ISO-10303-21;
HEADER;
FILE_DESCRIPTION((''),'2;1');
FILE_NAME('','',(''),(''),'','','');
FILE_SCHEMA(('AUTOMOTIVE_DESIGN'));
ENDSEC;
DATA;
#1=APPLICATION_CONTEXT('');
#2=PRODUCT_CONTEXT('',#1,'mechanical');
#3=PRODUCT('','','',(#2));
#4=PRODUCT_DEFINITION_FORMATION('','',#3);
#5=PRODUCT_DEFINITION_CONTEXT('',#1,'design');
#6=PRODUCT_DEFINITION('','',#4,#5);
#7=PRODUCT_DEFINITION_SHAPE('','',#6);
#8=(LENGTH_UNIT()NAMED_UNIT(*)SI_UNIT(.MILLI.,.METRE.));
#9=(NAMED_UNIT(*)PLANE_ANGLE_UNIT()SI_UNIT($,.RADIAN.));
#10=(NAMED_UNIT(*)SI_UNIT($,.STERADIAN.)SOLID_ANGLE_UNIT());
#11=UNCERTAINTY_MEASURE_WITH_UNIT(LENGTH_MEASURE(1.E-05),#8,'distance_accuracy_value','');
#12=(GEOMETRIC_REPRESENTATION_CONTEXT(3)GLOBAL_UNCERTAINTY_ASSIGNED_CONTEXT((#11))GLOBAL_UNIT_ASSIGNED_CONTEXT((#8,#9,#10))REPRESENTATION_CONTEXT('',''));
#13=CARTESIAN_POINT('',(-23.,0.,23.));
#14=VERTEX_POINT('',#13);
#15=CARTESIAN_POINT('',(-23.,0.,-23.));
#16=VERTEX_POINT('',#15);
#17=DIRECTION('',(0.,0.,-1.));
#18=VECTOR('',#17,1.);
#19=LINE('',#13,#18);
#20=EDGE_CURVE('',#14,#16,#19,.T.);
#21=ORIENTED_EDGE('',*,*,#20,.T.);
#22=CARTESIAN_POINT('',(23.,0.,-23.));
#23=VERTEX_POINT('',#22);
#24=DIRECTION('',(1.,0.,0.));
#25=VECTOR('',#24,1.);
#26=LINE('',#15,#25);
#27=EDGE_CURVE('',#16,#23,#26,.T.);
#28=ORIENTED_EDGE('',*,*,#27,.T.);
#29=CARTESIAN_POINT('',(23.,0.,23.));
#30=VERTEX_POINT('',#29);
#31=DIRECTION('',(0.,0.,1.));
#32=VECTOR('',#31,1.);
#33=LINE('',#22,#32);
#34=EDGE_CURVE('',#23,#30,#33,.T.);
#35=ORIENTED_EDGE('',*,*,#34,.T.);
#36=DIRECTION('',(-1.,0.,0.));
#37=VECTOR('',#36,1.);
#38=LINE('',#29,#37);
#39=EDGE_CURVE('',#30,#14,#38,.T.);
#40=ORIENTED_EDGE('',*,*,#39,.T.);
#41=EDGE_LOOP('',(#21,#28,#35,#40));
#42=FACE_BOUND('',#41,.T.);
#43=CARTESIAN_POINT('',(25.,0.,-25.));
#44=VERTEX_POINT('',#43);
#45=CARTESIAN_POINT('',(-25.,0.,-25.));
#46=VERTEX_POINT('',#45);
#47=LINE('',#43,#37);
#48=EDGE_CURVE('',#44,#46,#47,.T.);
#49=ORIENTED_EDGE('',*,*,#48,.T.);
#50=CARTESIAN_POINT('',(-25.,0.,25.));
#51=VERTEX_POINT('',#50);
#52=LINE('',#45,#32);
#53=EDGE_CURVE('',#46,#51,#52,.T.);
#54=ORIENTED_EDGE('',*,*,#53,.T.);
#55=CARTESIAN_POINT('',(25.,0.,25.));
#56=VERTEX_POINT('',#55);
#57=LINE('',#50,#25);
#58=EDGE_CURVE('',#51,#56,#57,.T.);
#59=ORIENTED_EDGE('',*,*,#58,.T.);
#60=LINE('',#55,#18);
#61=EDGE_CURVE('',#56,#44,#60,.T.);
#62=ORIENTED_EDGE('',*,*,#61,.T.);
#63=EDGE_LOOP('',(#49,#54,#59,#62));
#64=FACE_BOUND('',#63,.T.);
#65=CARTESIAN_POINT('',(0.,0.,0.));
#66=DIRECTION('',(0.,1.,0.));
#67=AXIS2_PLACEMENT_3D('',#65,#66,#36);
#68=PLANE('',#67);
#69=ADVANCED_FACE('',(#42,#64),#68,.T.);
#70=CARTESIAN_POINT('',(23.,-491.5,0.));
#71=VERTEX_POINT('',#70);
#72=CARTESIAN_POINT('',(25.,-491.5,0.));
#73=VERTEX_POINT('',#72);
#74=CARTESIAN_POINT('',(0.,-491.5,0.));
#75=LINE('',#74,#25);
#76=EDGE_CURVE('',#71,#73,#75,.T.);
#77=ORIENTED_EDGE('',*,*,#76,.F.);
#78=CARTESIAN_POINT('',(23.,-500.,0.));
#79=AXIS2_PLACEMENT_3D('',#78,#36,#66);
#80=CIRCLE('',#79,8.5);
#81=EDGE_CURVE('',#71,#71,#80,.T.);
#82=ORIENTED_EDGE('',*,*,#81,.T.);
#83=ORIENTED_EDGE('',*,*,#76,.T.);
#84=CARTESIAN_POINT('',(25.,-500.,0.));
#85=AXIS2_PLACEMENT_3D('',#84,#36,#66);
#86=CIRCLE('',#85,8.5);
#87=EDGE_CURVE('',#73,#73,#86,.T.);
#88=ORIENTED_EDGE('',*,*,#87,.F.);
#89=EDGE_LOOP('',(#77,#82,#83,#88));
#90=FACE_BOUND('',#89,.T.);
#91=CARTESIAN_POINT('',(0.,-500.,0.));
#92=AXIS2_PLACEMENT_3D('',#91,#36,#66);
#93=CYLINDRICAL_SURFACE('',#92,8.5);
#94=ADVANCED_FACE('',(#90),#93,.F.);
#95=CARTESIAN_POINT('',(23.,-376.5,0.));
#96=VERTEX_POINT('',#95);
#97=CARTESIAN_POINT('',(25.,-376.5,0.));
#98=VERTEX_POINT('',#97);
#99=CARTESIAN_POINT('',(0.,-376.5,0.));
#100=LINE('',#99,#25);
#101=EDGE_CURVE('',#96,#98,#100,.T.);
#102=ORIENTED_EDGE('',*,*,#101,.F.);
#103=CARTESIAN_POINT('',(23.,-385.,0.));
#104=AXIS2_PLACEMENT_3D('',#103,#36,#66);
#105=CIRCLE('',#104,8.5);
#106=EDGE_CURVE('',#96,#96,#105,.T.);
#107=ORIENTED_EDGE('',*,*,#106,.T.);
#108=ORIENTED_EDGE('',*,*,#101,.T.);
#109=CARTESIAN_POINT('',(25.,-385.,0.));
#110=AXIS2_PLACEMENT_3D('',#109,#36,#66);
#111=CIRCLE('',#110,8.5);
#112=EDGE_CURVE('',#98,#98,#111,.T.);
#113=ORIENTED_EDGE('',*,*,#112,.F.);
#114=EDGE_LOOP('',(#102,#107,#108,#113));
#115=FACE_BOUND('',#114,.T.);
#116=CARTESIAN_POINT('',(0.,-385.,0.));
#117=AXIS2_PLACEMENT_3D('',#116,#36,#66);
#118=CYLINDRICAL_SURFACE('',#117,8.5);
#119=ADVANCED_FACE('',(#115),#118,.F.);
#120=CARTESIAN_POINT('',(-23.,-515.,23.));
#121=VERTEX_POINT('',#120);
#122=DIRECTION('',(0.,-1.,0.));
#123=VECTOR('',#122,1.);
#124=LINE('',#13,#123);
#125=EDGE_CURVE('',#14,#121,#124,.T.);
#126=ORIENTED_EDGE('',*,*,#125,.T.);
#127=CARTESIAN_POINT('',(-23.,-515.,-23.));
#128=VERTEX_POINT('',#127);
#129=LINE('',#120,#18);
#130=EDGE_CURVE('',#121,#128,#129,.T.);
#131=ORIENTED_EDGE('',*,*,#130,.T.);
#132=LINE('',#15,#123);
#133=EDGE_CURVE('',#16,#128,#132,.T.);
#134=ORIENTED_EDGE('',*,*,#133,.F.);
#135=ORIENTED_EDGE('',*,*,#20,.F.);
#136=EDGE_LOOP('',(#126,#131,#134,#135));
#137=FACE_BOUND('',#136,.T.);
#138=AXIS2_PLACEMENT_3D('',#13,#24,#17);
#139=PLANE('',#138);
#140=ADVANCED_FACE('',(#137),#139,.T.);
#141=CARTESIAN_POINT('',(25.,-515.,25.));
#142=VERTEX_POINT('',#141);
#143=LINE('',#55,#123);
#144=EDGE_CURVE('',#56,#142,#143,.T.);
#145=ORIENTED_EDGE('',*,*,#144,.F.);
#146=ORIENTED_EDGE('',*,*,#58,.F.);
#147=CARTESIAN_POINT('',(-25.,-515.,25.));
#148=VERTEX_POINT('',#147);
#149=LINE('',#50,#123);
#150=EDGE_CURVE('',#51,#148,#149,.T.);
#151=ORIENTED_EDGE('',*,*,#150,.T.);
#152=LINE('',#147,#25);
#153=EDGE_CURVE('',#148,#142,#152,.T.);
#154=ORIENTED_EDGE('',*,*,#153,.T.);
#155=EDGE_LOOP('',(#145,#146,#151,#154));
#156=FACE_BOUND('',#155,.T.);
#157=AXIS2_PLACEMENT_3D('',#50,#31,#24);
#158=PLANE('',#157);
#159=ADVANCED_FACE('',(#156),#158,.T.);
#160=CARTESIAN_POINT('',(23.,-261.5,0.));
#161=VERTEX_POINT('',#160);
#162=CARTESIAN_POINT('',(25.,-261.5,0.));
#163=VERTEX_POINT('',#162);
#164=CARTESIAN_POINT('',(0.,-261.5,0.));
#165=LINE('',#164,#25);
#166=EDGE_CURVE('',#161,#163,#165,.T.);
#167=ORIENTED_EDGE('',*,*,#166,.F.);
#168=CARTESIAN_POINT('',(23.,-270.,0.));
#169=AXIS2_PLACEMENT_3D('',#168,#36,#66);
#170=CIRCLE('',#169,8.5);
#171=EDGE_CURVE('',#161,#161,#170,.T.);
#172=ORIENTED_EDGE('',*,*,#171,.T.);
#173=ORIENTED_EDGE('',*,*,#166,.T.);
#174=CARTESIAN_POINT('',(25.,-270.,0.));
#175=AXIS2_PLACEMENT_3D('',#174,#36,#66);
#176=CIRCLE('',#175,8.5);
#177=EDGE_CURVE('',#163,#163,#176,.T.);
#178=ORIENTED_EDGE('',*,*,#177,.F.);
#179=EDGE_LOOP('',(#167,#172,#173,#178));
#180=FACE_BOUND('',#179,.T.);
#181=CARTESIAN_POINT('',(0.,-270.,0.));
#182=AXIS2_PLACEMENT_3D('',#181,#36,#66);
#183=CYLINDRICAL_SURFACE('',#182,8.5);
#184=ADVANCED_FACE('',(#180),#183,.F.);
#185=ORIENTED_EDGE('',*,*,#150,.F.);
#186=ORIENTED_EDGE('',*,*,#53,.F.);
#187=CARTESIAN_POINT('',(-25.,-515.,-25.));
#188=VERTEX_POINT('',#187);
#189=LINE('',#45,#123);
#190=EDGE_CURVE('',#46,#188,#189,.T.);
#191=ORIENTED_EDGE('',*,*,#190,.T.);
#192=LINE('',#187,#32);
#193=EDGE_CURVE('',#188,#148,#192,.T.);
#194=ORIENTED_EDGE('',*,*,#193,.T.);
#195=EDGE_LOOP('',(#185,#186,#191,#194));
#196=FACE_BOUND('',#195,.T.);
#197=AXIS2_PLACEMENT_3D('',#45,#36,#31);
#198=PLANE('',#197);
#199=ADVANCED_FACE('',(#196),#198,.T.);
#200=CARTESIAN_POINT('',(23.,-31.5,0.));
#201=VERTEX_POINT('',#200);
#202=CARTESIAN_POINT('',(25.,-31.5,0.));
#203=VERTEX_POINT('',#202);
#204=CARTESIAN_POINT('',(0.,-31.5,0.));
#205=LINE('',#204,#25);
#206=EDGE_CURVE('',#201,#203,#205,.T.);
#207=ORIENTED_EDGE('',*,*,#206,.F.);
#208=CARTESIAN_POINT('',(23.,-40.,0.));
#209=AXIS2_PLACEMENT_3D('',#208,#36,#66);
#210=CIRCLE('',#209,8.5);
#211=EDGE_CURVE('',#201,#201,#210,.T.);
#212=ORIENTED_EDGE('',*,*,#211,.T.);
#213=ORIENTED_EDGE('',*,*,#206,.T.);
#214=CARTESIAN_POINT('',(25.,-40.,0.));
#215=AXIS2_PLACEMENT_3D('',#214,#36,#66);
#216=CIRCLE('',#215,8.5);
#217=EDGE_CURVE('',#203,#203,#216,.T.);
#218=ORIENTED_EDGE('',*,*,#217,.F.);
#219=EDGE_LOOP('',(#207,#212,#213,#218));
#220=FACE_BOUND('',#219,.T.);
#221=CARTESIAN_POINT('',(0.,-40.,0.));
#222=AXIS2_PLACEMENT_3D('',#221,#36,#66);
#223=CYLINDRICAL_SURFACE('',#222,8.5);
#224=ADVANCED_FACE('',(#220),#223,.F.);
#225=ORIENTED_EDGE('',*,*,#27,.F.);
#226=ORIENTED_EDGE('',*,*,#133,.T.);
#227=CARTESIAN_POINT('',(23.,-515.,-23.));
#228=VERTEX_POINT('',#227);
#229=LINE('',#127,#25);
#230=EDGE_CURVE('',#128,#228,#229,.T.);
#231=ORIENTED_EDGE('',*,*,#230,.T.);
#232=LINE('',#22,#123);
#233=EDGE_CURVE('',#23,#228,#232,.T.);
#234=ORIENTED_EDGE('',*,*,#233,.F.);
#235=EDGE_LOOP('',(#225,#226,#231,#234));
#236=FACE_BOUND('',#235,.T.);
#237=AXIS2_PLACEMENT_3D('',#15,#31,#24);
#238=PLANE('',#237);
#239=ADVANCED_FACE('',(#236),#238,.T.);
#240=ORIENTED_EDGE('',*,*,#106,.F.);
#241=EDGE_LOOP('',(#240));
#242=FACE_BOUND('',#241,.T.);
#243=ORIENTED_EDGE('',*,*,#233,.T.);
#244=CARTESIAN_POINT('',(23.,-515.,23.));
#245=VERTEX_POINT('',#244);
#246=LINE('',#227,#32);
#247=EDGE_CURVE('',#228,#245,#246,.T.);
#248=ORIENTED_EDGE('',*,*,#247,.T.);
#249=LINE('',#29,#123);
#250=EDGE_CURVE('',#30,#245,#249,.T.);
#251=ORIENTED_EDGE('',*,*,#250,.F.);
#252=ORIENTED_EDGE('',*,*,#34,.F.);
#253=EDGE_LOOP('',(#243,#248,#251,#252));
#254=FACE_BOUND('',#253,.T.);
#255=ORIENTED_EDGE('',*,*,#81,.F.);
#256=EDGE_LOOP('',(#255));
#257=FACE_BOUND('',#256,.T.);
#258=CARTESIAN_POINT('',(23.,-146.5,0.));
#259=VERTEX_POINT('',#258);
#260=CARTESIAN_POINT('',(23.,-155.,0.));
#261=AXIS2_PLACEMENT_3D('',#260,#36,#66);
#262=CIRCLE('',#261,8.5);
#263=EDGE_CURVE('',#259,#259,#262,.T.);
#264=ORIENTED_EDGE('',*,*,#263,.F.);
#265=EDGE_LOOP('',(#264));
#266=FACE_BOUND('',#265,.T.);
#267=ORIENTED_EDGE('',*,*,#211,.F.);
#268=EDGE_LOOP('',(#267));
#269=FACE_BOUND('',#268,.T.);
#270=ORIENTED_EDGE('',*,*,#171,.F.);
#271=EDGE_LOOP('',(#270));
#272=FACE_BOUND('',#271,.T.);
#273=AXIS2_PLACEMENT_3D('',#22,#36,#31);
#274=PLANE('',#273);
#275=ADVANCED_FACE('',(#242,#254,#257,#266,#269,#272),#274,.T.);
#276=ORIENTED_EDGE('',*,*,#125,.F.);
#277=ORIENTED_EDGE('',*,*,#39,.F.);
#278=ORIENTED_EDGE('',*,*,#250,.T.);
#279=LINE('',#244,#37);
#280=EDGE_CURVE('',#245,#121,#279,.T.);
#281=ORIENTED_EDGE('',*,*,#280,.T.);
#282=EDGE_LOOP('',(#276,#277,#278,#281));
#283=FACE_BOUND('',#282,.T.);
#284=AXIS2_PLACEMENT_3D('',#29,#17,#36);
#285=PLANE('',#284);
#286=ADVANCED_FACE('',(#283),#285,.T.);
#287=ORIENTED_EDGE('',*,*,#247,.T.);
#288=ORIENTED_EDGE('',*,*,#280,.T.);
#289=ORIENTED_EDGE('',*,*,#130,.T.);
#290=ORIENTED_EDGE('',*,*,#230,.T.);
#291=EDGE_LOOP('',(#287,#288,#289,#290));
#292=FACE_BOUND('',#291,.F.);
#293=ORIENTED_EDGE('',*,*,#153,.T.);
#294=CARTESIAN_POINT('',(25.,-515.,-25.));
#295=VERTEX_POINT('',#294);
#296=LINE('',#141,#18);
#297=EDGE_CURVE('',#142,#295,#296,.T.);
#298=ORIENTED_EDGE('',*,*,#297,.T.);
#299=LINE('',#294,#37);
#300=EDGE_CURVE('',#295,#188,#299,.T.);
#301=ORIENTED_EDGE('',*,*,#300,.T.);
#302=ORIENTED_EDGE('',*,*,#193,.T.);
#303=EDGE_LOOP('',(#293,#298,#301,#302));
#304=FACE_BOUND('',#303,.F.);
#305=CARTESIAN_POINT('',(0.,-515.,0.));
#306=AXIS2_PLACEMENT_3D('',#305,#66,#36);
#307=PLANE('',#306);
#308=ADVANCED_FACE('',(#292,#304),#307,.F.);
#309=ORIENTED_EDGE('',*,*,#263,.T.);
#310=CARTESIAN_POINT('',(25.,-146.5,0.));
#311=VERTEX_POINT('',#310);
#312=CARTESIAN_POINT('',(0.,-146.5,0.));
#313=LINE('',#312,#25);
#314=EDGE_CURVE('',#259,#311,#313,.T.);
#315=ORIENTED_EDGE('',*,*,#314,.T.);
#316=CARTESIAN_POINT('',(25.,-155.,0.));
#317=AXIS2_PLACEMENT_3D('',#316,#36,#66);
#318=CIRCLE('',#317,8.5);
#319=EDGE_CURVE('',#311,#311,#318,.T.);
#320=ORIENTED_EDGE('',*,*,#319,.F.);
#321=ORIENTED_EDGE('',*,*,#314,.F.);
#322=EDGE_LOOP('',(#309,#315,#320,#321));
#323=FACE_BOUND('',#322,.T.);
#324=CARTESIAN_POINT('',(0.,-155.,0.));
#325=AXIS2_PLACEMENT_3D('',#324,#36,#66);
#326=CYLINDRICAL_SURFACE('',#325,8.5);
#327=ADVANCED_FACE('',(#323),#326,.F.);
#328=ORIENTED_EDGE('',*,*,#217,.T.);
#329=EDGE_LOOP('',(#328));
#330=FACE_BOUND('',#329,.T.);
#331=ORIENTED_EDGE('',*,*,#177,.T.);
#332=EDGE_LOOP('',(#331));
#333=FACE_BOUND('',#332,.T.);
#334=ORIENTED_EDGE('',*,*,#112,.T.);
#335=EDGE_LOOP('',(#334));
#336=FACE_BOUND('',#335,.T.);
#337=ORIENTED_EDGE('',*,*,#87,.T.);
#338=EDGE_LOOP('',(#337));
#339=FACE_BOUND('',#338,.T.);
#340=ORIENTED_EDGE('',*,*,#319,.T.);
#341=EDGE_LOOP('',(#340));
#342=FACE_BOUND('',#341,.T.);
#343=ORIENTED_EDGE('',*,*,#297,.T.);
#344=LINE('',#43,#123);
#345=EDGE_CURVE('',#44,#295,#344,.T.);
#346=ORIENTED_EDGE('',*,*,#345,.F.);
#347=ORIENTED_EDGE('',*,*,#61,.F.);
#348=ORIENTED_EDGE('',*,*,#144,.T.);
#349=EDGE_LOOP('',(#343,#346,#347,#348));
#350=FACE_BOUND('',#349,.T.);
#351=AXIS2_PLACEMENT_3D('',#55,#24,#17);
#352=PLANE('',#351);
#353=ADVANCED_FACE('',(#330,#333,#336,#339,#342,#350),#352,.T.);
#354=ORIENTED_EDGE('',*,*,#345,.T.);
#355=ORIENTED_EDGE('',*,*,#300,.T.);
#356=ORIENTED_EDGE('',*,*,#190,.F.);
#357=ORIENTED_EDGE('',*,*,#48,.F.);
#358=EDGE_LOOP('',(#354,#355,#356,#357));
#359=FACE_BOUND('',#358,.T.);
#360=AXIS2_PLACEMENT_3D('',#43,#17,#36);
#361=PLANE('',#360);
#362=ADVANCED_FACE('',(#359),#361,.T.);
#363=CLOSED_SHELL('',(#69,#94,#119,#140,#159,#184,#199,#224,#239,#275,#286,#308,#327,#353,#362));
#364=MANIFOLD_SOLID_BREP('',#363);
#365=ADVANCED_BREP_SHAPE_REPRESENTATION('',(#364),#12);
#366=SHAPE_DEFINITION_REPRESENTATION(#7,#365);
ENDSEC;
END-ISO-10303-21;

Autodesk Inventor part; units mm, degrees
ref_plane "YZ Plane" through (0, 0, 0) normal (1, 0, 0) x (0, 1, 0)
ref_plane "XZ Plane" through (0, 0, 0) normal (0, 1, 0) x (-1, 0, 0)
ref_plane "XY Plane" through (0, 0, 0) normal (0, 0, 1) x (1, 0, 0)
sketch "Sketch9" plane through (0, 0, 0) normal (0, 1, 0) x (-1, 0, 0)
  line L0 (25, 25) -> (-25, 25)
  line L1 (-25, 25) -> (-25, -25)
  line L2 (-25, -25) -> (25, -25)
  line L3 (25, -25) -> (25, 25)
  line L4 (25, 25) -> (-25, -25) construction
  line L5 (-25, 25) -> (25, -25) construction
  line L6 (-23, 23) -> (23, 23)
  line L7 (23, 23) -> (23, -23)
  line L8 (23, -23) -> (-23, -23)
  line L9 (-23, -23) -> (-23, 23)
  point P0 (0, 0)
  dimension "d172" = 50
  dimension "d173" = 50
  dimension "d174" = 2
extrude "Extrusion3" add sketch "Sketch9" against normal blind 515
sketch "Sketch10" plane through (0, 0, 0) normal (1, 0, 0) x (0, 1, 0)
  line L0 (0, 25) -> (0, -25) construction
  line L1 (0, 25) -> (-515, 25) construction
  line L2 (-515, -25) -> (-515, 25) construction
  line L3 (0, -25) -> (-515, -25) construction
  line L4 (-48.5, 8.5) -> (-31.5, 8.5)
  line L5 (-31.5, 8.5) -> (-31.5, -8.5)
  line L6 (-31.5, -8.5) -> (-48.5, -8.5)
  line L7 (-48.5, -8.5) -> (-48.5, 8.5)
  line L8 (-48.5, 8.5) -> (-31.5, -8.5) construction
  line L9 (-31.5, 8.5) -> (-48.5, -8.5) construction
  line L10 (-163.5, 8.5) -> (-146.5, 8.5)
  line L11 (-146.5, 8.5) -> (-146.5, -8.5)
  line L12 (-146.5, -8.5) -> (-163.5, -8.5)
  line L13 (-163.5, -8.5) -> (-163.5, 8.5)
  line L14 (-163.5, 8.5) -> (-146.5, -8.5) construction
  line L15 (-146.5, 8.5) -> (-163.5, -8.5) construction
  line L16 (-278.5, 8.5) -> (-261.5, 8.5)
  line L17 (-261.5, 8.5) -> (-261.5, -8.5)
  line L18 (-261.5, -8.5) -> (-278.5, -8.5)
  line L19 (-278.5, -8.5) -> (-278.5, 8.5)
  line L20 (-278.5, 8.5) -> (-261.5, -8.5) construction
  line L21 (-261.5, 8.5) -> (-278.5, -8.5) construction
  circle A0 centre (-500, 0) radius 8.5
  line L22 (0, 0) -> (40, 0)
  circle A1 centre (-40, 0) radius 8.5
  circle A2 centre (-155, 0) radius 8.5
  circle A3 centre (-270, 0) radius 8.5
  line L23 (-376.5, -8.5) -> (-393.5, -8.5)
  line L24 (-393.5, -8.5) -> (-393.5, 8.5)
  line L25 (-393.5, 8.5) -> (-376.5, 8.5)
  line L26 (-376.5, 8.5) -> (-376.5, -8.5)
  line L27 (-376.5, -8.5) -> (-393.5, 8.5) construction
  line L28 (-393.5, -8.5) -> (-376.5, 8.5) construction
  circle A4 centre (-385, 0) radius 8.5
  dimension "d177" = 17
  dimension "d178" = 17
  dimension "d181" = 40
  dimension "d182" = 80
  dimension "d185" = 540
  dimension "d186" = 17
  dimension "d188" = 460
  dimension "d189" = 115
  dimension "d190" = 115
  dimension "d191" = 115
extrude "Extrusion4" cut sketch "Sketch10" along normal through all contours A1 | A2 | A3 | A0 | A4
properties part number "TKS 3511 FDS way tube 7" material "Stainless Steel"
